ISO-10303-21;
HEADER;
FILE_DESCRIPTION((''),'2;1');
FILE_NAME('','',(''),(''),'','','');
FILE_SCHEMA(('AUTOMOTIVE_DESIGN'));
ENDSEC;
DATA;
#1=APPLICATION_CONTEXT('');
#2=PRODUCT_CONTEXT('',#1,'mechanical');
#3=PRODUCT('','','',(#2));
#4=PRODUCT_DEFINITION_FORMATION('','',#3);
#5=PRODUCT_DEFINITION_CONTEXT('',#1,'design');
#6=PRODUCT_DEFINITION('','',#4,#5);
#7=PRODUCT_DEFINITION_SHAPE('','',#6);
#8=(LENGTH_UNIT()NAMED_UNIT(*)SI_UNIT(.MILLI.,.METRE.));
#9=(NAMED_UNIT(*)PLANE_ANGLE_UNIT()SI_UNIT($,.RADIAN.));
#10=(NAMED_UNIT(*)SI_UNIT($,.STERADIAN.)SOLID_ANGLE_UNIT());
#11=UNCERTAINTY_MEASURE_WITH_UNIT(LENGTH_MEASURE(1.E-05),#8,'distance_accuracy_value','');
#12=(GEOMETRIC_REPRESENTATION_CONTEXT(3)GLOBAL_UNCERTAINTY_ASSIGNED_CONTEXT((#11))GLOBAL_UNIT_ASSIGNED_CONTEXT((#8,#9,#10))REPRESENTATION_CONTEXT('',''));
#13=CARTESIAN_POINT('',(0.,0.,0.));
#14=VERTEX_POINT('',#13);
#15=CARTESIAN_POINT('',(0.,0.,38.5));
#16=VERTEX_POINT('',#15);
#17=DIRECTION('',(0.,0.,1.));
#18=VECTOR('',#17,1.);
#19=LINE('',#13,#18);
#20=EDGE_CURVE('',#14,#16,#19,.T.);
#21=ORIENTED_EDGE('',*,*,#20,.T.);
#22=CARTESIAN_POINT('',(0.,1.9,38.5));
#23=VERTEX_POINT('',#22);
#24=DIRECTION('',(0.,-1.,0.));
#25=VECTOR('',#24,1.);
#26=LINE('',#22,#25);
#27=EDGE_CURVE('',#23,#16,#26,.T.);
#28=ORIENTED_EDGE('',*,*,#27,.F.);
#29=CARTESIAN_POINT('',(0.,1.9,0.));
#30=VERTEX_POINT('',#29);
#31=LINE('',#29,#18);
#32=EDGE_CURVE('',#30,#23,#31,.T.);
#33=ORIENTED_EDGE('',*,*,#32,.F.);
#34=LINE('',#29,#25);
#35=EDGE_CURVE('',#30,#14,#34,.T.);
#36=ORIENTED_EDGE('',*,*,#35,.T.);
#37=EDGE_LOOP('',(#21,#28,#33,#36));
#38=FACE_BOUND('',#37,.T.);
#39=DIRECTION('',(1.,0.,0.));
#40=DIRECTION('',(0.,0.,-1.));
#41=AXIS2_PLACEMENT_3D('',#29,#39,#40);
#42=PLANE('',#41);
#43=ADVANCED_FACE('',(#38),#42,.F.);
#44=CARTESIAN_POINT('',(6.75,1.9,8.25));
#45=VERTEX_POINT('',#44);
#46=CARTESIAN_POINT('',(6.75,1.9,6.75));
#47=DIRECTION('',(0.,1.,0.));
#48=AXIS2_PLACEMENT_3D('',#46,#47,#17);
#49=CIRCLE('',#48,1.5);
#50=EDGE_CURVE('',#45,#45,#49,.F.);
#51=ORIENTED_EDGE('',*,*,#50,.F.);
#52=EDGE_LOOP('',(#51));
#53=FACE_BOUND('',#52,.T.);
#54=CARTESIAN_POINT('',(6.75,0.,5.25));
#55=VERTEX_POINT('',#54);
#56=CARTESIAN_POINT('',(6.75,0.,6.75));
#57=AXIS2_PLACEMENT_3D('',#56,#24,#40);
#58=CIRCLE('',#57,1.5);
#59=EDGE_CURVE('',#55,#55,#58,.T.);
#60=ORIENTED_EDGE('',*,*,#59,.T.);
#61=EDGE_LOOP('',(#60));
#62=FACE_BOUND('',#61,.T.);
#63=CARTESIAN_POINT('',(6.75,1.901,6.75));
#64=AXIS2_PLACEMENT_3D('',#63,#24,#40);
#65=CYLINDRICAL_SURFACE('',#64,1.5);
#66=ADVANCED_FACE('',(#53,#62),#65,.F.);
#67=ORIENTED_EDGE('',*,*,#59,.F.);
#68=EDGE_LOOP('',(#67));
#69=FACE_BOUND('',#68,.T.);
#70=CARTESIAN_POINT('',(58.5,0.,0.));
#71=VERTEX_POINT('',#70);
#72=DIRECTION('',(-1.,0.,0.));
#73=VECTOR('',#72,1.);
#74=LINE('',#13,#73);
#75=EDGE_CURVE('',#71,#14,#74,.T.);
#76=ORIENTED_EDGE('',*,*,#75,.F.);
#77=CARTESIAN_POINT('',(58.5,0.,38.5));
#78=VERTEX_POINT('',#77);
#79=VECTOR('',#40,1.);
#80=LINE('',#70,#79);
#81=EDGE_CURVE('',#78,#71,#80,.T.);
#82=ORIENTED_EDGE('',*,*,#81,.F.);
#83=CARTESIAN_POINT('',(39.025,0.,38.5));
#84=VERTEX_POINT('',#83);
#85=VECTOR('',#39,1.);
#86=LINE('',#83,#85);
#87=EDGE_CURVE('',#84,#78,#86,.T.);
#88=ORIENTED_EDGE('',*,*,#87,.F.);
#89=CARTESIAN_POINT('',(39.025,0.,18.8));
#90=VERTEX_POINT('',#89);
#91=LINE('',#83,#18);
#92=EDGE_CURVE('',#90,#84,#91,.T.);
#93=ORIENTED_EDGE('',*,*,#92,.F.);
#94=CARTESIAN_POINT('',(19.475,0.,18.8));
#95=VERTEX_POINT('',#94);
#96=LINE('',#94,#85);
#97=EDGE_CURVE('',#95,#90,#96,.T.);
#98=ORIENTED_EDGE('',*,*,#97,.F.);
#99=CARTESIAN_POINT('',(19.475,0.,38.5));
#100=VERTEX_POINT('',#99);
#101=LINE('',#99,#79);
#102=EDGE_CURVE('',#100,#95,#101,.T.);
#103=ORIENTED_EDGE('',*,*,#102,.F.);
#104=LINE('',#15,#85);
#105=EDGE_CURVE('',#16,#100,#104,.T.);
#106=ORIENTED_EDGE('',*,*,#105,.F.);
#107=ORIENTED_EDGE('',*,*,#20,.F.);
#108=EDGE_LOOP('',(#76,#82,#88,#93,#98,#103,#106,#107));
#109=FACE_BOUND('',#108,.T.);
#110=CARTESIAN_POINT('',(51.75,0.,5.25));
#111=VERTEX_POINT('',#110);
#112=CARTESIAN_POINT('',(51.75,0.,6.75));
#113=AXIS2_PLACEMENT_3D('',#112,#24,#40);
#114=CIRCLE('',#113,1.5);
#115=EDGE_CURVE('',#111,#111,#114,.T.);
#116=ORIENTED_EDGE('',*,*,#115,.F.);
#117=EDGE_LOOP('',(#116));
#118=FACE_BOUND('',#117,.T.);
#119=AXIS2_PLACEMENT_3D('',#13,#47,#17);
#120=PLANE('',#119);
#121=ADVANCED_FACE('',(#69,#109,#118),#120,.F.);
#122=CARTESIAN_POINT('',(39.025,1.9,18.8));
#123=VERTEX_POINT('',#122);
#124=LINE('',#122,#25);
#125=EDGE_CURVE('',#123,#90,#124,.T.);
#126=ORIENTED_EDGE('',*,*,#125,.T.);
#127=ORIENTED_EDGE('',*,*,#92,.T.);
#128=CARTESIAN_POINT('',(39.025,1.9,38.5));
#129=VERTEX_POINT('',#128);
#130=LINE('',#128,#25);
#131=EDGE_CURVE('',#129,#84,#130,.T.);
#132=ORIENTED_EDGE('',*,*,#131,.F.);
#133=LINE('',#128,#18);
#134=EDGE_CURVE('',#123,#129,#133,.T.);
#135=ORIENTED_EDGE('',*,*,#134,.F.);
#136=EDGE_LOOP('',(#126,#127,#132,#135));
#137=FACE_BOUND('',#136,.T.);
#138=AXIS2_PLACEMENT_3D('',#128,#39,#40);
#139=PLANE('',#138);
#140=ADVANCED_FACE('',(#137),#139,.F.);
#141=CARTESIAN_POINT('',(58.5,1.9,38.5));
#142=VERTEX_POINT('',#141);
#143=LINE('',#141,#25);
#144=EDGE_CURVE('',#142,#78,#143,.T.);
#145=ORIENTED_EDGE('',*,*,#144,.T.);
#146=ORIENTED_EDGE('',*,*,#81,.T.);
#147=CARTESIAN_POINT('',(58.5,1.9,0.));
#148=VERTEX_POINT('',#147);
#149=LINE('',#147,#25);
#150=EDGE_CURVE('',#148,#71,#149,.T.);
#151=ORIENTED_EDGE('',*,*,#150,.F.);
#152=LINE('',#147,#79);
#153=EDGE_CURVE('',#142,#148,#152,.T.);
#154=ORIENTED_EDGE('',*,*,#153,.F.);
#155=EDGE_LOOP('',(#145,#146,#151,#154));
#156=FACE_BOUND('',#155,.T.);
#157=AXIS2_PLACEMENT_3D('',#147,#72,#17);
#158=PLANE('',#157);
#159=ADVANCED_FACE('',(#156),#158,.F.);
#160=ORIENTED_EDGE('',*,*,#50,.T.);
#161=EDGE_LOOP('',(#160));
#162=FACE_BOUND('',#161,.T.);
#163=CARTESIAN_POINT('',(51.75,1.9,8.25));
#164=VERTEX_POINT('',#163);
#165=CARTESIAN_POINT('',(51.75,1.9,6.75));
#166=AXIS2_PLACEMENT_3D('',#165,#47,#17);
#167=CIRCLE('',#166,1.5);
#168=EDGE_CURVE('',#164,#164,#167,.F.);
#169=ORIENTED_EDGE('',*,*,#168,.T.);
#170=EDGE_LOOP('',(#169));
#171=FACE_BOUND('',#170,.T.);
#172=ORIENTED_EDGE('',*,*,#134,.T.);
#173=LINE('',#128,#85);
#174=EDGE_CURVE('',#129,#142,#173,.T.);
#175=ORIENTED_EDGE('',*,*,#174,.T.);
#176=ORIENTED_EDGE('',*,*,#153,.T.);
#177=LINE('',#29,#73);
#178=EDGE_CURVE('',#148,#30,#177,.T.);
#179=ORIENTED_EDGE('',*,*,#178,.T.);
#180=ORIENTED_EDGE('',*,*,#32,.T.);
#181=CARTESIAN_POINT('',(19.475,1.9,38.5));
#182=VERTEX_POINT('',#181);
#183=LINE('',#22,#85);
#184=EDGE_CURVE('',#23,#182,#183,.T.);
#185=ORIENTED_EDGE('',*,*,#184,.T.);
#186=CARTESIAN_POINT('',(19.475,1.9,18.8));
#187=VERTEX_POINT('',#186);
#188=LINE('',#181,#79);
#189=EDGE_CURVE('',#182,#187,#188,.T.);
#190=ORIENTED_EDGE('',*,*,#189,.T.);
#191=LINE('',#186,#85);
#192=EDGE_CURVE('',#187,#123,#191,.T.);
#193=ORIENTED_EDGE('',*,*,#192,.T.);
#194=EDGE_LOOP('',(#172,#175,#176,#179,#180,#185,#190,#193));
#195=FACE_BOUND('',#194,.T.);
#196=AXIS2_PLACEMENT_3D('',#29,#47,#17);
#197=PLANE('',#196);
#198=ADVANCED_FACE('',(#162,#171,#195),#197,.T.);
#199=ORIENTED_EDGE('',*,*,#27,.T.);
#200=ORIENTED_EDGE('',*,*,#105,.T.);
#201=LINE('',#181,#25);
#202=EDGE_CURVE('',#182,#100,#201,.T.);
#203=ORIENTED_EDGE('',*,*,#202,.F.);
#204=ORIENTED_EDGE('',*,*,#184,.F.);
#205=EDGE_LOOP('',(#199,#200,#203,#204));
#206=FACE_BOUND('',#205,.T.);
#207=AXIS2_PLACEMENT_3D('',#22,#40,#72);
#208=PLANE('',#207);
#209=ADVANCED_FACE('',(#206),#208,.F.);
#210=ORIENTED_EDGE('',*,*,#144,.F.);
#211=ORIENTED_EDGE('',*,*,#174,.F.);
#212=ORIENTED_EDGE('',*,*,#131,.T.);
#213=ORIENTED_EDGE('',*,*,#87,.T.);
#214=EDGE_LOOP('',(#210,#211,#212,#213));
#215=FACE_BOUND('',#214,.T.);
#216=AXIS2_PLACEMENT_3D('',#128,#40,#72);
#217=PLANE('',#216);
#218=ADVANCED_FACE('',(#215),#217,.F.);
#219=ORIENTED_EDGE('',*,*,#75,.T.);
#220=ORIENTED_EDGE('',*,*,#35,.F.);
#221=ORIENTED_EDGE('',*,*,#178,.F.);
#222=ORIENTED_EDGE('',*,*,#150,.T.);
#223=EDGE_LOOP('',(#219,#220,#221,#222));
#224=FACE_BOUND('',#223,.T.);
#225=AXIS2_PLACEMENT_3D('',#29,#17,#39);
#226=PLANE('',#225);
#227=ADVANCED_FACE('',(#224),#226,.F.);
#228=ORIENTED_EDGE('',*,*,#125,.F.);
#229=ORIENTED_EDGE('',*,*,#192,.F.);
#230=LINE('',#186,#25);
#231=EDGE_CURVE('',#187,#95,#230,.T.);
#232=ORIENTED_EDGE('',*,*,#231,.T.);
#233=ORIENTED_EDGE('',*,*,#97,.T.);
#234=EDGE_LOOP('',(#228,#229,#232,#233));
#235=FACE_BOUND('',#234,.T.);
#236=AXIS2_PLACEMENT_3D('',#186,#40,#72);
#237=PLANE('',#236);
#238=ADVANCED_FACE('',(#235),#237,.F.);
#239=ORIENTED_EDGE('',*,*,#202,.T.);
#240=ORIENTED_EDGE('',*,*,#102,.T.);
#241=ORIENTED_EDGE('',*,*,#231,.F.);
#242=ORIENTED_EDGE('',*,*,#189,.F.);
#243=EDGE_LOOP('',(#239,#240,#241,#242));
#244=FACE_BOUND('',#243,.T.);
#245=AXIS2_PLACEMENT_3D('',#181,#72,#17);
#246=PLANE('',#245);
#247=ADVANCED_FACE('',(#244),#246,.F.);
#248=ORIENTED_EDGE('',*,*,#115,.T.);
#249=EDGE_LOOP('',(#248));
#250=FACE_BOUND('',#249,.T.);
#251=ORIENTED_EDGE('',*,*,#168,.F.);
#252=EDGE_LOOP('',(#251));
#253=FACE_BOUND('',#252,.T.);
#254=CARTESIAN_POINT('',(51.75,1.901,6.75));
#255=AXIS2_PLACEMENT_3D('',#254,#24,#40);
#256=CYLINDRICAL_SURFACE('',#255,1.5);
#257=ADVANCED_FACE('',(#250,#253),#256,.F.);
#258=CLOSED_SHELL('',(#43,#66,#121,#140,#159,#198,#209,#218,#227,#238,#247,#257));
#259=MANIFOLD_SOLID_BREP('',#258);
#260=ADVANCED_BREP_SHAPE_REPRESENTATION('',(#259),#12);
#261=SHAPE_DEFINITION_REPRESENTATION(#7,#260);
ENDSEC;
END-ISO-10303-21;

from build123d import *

# Parameters (mm, degrees)
EXTRUDE_1_DEPTH     = 1.9
CUT_EXTRUDE_1_REACH = 72.058
SKETCH_2_R          = 1.5


with BuildPart() as part:
    # 草图1 → 凸台-拉伸1 (new body)
    with BuildSketch(Plane(origin=(0, 0, 0), x_dir=(1, 0, 0), z_dir=(0, 1, 0))):
        Polygon((0, 0), (58.5, 0), (58.5, -38.5), (39.025, -38.5), (39.025, -18.8), (19.475, -18.8), (19.475, -38.5), (0, -38.5), align=None)
    extrude(amount=EXTRUDE_1_DEPTH)

    # 草图2 → 切除-拉伸1 (cut, up to next)
    with BuildSketch(Plane.XZ, mode=Mode.PRIVATE) as cut_extrude_1_sk1:
        with Locations(Location((51.75, 6.75, 0), (0, 0, 270))):
            Circle(SKETCH_2_R)
    cut_extrude_1_tool1 = extrude(cut_extrude_1_sk1.sketch, amount=-CUT_EXTRUDE_1_REACH, mode=Mode.PRIVATE) & part.part
    # 草图2 → 切除-拉伸1 (cut, up to next)
    with BuildSketch(Plane.XZ, mode=Mode.PRIVATE) as cut_extrude_1_sk2:
        with Locations(Location((6.75, 6.75, 0), (0, 0, 270))):
            Circle(SKETCH_2_R)
    cut_extrude_1_tool2 = extrude(cut_extrude_1_sk2.sketch, amount=-CUT_EXTRUDE_1_REACH, mode=Mode.PRIVATE) & part.part
    add(cut_extrude_1_tool1.solids().sort_by_distance((51.75, 0, 6.75))[0], mode=Mode.SUBTRACT)
    add(cut_extrude_1_tool2.solids().sort_by_distance((6.75, 0, 6.75))[0], mode=Mode.SUBTRACT)


solid = part.part
